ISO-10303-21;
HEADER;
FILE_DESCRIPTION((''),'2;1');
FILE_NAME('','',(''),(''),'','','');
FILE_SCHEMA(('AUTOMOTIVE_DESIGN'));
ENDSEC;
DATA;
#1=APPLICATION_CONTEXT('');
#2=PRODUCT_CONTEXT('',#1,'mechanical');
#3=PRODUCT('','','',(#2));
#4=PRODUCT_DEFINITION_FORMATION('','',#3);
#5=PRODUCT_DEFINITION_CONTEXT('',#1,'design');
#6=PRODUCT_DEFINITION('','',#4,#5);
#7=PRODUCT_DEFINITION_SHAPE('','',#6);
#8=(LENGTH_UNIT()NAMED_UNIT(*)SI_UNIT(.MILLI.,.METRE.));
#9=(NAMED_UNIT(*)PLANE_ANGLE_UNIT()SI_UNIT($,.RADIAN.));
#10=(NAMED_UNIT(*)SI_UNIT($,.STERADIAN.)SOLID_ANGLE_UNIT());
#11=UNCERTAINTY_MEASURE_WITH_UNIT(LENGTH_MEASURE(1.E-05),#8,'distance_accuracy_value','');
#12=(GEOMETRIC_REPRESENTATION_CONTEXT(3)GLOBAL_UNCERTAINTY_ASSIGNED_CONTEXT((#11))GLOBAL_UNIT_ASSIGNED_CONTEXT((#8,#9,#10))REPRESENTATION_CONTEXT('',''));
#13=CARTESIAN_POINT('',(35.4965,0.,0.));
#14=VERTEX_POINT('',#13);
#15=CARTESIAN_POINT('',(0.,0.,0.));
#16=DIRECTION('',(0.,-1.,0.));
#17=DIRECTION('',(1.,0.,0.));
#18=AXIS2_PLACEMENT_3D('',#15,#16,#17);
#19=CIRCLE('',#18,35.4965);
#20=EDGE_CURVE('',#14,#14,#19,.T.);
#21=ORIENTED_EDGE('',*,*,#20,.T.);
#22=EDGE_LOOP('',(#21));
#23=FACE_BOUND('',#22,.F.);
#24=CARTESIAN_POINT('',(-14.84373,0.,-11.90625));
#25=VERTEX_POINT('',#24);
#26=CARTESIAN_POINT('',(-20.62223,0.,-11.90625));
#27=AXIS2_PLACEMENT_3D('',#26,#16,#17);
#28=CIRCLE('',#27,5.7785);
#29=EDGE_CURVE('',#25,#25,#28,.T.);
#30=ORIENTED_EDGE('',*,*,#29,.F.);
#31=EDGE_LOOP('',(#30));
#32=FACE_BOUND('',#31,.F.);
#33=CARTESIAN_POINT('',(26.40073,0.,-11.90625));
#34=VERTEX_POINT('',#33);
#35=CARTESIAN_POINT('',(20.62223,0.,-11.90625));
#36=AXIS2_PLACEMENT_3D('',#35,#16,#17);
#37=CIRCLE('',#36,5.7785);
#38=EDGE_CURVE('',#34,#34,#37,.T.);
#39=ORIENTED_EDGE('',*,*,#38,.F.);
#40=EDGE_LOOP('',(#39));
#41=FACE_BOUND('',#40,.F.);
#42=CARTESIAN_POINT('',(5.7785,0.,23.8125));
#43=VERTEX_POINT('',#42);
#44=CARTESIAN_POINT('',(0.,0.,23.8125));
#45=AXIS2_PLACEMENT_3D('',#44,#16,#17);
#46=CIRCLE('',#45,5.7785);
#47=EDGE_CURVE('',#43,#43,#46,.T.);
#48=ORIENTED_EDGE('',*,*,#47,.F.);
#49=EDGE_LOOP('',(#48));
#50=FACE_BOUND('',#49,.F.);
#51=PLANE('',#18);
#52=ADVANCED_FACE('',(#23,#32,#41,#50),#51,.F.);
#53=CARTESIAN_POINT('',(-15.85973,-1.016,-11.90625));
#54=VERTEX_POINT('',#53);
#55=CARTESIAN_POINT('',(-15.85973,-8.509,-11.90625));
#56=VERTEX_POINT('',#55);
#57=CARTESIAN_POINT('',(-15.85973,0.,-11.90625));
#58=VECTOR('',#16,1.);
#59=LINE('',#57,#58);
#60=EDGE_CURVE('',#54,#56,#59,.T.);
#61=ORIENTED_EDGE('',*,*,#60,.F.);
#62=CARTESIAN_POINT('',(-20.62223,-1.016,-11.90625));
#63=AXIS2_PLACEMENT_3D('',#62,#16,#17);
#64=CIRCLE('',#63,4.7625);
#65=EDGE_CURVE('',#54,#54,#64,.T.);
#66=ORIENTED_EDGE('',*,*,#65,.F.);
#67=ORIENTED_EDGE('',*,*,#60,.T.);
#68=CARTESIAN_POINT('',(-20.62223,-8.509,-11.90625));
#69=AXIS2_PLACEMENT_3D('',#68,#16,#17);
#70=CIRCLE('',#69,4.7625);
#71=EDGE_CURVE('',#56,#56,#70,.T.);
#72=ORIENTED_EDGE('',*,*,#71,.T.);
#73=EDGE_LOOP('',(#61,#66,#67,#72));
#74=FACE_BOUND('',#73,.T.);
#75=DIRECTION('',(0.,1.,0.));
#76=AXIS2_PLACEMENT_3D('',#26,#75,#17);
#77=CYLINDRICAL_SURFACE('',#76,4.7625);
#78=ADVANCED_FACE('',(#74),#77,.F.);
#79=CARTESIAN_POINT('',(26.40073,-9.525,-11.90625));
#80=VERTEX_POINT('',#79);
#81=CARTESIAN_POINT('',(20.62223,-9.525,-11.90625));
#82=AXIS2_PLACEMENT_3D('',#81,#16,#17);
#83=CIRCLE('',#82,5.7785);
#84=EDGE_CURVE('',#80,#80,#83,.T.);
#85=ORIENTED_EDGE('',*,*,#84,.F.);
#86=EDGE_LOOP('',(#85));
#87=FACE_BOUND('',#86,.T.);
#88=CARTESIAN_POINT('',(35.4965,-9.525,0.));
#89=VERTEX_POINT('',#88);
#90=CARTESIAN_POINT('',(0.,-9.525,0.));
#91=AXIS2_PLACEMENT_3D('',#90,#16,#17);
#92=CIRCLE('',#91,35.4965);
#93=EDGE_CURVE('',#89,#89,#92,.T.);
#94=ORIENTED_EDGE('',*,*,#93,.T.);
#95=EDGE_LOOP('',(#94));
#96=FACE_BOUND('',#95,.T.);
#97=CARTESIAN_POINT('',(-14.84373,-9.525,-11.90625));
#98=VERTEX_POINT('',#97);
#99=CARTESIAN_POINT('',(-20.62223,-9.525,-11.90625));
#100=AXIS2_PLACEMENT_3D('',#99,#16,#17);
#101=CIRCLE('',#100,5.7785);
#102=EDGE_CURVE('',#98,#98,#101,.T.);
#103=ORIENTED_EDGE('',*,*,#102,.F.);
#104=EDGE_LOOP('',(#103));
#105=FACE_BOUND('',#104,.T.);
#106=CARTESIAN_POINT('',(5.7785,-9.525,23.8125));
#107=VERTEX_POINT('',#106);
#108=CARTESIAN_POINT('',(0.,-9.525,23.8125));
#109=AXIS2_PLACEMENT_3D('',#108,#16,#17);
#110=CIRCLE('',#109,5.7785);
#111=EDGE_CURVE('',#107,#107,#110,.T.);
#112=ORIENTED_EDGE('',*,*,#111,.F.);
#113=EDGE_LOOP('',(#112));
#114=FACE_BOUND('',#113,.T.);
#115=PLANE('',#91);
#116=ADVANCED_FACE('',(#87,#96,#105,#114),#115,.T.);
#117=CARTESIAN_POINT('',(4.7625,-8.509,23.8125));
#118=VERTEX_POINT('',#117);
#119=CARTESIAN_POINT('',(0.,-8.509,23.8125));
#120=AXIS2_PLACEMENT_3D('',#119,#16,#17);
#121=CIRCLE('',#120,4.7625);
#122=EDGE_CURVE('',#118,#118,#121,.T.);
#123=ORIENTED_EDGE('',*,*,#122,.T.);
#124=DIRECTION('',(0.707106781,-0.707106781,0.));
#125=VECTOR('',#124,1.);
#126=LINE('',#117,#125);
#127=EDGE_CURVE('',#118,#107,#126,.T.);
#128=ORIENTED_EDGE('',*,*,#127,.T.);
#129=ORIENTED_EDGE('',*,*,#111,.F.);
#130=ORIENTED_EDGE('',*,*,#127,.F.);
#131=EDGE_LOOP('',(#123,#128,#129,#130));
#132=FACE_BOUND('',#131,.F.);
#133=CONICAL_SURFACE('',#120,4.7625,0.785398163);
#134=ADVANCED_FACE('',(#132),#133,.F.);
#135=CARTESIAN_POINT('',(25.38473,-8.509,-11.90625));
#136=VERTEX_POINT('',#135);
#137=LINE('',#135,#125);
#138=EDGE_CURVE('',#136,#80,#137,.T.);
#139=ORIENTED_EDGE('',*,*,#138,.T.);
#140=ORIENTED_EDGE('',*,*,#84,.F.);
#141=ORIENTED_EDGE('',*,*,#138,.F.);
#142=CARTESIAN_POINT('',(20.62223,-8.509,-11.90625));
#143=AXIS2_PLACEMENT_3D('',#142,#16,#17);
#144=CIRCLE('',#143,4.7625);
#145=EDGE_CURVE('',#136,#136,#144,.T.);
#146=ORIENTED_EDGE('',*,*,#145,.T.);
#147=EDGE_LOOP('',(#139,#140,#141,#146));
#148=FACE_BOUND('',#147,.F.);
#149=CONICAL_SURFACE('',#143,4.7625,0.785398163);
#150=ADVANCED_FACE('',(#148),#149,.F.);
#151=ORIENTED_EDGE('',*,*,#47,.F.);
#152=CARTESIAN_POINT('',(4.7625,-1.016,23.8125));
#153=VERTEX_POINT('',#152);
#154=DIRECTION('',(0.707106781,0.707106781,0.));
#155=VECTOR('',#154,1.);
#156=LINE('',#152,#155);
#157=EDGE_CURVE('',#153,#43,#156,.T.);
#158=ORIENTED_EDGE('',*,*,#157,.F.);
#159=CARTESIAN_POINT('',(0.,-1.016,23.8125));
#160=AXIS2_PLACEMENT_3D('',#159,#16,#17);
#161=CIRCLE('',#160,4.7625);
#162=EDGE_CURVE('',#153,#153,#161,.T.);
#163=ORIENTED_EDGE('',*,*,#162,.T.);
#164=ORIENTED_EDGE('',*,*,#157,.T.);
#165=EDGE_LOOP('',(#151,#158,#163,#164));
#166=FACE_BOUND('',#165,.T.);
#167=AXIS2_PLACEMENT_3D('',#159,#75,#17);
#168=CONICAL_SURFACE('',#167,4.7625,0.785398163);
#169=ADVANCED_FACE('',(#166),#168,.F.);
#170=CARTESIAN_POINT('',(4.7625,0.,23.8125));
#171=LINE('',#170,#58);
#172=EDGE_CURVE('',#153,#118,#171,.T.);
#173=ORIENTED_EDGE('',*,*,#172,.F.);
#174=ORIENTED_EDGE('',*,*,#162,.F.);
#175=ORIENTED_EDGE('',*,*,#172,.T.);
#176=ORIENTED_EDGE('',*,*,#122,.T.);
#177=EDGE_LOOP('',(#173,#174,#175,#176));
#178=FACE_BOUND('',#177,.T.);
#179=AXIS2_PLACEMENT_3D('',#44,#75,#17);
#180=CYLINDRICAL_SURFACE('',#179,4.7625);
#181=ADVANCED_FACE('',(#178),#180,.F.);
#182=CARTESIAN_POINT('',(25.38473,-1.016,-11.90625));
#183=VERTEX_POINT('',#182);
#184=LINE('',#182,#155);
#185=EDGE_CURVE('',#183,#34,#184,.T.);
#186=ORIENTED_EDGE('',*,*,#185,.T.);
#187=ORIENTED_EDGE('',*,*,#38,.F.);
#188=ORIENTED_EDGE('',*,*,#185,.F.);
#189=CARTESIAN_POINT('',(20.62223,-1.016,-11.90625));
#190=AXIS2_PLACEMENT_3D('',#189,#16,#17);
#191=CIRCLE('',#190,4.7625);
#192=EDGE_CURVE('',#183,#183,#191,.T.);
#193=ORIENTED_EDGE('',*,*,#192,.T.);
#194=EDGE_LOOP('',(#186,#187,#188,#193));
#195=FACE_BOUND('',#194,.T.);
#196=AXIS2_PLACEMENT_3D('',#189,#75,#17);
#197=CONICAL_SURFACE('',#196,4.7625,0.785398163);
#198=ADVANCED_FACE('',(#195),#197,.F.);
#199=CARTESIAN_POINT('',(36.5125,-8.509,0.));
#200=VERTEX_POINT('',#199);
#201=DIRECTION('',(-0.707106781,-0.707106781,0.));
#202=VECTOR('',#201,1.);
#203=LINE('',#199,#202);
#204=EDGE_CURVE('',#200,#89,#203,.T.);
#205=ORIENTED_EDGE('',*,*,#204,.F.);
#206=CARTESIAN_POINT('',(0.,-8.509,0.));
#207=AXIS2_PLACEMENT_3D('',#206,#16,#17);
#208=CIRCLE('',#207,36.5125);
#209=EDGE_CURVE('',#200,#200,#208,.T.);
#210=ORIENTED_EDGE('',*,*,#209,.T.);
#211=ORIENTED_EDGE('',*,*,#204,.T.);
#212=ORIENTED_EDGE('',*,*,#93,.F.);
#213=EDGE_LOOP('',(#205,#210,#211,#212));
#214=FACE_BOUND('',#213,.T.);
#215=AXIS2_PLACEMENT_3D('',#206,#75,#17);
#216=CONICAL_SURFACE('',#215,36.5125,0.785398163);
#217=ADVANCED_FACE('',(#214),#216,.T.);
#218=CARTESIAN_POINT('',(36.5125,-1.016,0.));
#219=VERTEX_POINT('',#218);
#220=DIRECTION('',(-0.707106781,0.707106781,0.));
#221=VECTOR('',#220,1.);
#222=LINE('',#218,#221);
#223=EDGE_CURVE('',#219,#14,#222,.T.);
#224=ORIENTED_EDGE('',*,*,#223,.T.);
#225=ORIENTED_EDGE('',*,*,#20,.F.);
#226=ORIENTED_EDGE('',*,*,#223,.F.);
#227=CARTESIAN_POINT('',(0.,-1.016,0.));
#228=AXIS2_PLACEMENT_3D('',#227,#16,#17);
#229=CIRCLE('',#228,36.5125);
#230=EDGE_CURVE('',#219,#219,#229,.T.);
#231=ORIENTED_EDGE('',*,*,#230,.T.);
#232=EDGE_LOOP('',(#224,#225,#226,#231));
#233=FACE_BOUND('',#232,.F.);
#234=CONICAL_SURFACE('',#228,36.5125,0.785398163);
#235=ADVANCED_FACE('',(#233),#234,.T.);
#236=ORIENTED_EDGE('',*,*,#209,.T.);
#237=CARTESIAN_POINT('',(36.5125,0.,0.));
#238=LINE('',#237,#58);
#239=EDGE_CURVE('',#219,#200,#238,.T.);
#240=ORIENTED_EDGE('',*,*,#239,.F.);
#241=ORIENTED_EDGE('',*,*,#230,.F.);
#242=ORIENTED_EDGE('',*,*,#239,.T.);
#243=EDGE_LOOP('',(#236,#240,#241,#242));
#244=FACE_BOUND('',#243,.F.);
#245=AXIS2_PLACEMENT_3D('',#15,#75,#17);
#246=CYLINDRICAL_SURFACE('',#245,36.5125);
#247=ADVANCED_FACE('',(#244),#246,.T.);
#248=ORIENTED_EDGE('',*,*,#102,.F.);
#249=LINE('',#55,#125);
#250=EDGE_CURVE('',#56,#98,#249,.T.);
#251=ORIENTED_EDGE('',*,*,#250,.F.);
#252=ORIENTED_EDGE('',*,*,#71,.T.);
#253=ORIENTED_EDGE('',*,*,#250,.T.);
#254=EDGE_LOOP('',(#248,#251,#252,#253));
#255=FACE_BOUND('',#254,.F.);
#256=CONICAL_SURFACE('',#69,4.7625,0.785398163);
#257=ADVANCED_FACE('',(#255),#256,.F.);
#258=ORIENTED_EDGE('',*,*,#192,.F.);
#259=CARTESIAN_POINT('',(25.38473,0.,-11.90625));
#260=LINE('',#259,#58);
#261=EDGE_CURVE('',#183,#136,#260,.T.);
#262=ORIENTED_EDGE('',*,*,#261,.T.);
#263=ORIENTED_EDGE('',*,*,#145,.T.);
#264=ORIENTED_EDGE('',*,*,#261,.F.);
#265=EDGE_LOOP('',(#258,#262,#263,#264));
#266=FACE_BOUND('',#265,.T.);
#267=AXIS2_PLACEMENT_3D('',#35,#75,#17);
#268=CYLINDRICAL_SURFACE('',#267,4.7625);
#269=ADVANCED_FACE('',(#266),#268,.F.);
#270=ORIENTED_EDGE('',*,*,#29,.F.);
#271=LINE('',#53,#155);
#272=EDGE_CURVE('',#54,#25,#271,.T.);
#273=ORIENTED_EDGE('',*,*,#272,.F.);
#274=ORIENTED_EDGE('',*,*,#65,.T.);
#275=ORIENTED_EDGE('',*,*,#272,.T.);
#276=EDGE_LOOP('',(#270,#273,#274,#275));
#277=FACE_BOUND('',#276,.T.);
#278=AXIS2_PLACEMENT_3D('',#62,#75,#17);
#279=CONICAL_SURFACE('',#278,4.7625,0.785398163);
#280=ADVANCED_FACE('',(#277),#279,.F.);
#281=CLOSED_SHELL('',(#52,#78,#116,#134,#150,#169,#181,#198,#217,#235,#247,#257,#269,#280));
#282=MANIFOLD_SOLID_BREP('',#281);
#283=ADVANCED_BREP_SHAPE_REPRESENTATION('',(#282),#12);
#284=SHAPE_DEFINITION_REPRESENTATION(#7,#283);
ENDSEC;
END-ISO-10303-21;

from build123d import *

# Parameters (mm, degrees)
F0_R     = 36.5125
F0_R_2   = 4.7625
F1_DEPTH = 9.525
F2_SIZE  = 1.016


with BuildPart() as f1:
    # F0 (on Front) → F1 (new body)
    with BuildSketch(Plane.XZ):
        Circle(F0_R)
        with Locations((-20.62223, -11.90625)):
            Circle(F0_R_2, mode=Mode.SUBTRACT)
        with Locations((20.62223, -11.90625)):
            Circle(F0_R_2, mode=Mode.SUBTRACT)
        with Locations((0, 23.8125)):
            Circle(F0_R_2, mode=Mode.SUBTRACT)
    extrude(amount=F1_DEPTH)

    # F2
    f2_edges = [f1.edges().sort_by_distance(p)[0] for p in [
        (-36.5125, -9.525, 0),
        (-25.38473, -9.525, -11.90625),
        (15.85973, -9.525, -11.90625),
        (-4.7625, -9.525, 23.8125),
        (-36.5125, 0, 0),
        (-25.38473, 0, -11.90625),
        (15.85973, 0, -11.90625),
        (-4.7625, 0, 23.8125),
    ]]
    chamfer(f2_edges, length=F2_SIZE)


solid = f1.part
